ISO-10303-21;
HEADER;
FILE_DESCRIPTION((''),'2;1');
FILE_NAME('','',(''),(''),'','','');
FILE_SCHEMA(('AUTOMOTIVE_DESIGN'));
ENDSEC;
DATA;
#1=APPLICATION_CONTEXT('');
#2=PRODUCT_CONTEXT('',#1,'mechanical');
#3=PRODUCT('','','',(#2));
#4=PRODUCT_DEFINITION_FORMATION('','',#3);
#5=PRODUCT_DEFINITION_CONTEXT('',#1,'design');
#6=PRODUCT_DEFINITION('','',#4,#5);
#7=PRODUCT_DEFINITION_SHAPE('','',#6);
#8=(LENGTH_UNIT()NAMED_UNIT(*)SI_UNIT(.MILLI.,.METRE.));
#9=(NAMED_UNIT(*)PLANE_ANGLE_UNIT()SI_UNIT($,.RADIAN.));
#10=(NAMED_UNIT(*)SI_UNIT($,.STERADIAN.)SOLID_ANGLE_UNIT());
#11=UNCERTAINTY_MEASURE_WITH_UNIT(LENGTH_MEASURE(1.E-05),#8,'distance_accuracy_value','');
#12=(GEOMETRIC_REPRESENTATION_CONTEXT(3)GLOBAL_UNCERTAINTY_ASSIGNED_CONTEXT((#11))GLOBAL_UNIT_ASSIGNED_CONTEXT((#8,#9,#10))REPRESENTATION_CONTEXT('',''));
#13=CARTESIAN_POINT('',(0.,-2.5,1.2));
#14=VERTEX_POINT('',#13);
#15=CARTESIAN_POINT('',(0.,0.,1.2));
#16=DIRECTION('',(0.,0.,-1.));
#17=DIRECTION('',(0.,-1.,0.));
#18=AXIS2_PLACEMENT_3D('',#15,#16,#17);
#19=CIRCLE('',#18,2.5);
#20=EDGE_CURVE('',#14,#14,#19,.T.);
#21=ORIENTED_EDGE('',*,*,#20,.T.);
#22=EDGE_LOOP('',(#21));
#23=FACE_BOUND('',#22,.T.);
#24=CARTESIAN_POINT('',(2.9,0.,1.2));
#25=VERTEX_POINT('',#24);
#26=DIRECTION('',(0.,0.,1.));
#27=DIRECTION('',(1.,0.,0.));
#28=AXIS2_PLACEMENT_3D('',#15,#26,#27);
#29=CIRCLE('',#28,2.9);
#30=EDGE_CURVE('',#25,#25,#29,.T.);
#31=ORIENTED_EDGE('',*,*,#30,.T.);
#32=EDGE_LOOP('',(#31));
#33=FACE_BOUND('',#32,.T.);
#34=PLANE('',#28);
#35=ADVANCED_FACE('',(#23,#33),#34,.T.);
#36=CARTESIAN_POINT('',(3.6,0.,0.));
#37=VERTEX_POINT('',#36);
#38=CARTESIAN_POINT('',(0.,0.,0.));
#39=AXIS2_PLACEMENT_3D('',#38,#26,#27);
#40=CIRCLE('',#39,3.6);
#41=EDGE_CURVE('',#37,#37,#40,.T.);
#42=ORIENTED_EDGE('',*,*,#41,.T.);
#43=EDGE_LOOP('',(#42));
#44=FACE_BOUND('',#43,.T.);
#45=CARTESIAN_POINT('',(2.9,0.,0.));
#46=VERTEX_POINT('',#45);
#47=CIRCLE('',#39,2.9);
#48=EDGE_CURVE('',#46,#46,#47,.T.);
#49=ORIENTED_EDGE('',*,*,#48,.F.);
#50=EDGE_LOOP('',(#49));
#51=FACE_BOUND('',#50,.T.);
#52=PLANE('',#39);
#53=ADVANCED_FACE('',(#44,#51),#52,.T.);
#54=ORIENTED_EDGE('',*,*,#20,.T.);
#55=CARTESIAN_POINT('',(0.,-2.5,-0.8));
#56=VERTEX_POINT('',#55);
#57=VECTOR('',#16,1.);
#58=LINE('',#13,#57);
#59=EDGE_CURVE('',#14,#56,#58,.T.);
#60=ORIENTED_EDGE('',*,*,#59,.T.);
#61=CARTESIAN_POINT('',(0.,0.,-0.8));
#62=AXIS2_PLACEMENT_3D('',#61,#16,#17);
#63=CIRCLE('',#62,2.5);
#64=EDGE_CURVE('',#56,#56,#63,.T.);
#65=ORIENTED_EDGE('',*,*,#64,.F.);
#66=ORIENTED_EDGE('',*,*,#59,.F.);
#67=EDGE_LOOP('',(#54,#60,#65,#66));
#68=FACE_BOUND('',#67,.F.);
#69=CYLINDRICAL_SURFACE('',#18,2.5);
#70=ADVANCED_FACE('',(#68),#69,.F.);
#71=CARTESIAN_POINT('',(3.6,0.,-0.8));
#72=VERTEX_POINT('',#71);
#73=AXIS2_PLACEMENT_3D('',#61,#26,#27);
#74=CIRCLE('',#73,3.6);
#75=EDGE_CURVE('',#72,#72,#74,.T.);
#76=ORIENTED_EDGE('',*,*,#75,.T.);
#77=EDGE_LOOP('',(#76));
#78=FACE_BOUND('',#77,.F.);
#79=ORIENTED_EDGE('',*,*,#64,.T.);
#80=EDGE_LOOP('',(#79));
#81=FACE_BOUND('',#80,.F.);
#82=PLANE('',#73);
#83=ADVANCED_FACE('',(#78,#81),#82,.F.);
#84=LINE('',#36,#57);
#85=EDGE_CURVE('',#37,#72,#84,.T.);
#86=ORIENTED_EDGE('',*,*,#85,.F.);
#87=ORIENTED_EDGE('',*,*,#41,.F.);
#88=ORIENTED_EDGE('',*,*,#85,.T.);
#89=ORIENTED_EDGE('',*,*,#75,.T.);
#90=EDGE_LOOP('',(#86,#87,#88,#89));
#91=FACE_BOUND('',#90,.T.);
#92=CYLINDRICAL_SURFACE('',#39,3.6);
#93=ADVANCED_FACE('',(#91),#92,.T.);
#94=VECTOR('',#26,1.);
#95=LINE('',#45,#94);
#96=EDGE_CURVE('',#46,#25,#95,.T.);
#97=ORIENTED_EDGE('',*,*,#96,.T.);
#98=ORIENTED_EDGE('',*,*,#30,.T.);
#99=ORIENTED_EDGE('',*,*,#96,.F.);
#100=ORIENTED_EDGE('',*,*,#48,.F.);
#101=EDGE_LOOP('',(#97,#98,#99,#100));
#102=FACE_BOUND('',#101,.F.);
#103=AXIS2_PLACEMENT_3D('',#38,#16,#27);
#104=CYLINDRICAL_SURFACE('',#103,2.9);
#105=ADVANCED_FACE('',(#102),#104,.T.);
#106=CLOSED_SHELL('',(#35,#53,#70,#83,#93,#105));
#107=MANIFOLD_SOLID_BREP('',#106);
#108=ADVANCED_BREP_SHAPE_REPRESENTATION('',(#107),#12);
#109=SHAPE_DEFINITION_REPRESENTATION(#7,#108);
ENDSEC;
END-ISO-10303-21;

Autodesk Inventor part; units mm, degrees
ref_plane "YZ Plane" through (0, 0, 0) normal (1, 0, 0) x (0, 1, 0)
ref_plane "XZ Plane" through (0, 0, 0) normal (0, 1, 0) x (-1, 0, 0)
ref_plane "XY Plane" through (0, 0, 0) normal (0, 0, 1) x (1, 0, 0)
sketch "Sketch1" plane through (0, 0, 0) normal (0, 0, 1) x (1, 0, 0)
  circle A0 centre (0, 0) radius 2.9
  dimension "d0" = 5.8
extrude "Extrusion1" add sketch "Sketch1" along normal blind 1.2
sketch "Sketch2" plane through (0, 0, 0) normal (0, 0, 1) x (1, 0, 0)
  circle A0 centre (0, 0) radius 2.9 projected
  circle A1 centre (0, 0) radius 3.6
  dimension "d3" = 7.2
extrude "Extrusion2" add sketch "Sketch2" against normal blind 0.8 contours A0 | A1
sketch "Sketch3" plane through (0, 0, 1.2) normal (0, 0, 1) x (1, 0, 0)
  point P0 (0, 0)
hole "Hole1" at (0, 0, 1.2) direction (0, 0, -1) diameter 5 end through all
properties part number "LabyrinthSealInner"
